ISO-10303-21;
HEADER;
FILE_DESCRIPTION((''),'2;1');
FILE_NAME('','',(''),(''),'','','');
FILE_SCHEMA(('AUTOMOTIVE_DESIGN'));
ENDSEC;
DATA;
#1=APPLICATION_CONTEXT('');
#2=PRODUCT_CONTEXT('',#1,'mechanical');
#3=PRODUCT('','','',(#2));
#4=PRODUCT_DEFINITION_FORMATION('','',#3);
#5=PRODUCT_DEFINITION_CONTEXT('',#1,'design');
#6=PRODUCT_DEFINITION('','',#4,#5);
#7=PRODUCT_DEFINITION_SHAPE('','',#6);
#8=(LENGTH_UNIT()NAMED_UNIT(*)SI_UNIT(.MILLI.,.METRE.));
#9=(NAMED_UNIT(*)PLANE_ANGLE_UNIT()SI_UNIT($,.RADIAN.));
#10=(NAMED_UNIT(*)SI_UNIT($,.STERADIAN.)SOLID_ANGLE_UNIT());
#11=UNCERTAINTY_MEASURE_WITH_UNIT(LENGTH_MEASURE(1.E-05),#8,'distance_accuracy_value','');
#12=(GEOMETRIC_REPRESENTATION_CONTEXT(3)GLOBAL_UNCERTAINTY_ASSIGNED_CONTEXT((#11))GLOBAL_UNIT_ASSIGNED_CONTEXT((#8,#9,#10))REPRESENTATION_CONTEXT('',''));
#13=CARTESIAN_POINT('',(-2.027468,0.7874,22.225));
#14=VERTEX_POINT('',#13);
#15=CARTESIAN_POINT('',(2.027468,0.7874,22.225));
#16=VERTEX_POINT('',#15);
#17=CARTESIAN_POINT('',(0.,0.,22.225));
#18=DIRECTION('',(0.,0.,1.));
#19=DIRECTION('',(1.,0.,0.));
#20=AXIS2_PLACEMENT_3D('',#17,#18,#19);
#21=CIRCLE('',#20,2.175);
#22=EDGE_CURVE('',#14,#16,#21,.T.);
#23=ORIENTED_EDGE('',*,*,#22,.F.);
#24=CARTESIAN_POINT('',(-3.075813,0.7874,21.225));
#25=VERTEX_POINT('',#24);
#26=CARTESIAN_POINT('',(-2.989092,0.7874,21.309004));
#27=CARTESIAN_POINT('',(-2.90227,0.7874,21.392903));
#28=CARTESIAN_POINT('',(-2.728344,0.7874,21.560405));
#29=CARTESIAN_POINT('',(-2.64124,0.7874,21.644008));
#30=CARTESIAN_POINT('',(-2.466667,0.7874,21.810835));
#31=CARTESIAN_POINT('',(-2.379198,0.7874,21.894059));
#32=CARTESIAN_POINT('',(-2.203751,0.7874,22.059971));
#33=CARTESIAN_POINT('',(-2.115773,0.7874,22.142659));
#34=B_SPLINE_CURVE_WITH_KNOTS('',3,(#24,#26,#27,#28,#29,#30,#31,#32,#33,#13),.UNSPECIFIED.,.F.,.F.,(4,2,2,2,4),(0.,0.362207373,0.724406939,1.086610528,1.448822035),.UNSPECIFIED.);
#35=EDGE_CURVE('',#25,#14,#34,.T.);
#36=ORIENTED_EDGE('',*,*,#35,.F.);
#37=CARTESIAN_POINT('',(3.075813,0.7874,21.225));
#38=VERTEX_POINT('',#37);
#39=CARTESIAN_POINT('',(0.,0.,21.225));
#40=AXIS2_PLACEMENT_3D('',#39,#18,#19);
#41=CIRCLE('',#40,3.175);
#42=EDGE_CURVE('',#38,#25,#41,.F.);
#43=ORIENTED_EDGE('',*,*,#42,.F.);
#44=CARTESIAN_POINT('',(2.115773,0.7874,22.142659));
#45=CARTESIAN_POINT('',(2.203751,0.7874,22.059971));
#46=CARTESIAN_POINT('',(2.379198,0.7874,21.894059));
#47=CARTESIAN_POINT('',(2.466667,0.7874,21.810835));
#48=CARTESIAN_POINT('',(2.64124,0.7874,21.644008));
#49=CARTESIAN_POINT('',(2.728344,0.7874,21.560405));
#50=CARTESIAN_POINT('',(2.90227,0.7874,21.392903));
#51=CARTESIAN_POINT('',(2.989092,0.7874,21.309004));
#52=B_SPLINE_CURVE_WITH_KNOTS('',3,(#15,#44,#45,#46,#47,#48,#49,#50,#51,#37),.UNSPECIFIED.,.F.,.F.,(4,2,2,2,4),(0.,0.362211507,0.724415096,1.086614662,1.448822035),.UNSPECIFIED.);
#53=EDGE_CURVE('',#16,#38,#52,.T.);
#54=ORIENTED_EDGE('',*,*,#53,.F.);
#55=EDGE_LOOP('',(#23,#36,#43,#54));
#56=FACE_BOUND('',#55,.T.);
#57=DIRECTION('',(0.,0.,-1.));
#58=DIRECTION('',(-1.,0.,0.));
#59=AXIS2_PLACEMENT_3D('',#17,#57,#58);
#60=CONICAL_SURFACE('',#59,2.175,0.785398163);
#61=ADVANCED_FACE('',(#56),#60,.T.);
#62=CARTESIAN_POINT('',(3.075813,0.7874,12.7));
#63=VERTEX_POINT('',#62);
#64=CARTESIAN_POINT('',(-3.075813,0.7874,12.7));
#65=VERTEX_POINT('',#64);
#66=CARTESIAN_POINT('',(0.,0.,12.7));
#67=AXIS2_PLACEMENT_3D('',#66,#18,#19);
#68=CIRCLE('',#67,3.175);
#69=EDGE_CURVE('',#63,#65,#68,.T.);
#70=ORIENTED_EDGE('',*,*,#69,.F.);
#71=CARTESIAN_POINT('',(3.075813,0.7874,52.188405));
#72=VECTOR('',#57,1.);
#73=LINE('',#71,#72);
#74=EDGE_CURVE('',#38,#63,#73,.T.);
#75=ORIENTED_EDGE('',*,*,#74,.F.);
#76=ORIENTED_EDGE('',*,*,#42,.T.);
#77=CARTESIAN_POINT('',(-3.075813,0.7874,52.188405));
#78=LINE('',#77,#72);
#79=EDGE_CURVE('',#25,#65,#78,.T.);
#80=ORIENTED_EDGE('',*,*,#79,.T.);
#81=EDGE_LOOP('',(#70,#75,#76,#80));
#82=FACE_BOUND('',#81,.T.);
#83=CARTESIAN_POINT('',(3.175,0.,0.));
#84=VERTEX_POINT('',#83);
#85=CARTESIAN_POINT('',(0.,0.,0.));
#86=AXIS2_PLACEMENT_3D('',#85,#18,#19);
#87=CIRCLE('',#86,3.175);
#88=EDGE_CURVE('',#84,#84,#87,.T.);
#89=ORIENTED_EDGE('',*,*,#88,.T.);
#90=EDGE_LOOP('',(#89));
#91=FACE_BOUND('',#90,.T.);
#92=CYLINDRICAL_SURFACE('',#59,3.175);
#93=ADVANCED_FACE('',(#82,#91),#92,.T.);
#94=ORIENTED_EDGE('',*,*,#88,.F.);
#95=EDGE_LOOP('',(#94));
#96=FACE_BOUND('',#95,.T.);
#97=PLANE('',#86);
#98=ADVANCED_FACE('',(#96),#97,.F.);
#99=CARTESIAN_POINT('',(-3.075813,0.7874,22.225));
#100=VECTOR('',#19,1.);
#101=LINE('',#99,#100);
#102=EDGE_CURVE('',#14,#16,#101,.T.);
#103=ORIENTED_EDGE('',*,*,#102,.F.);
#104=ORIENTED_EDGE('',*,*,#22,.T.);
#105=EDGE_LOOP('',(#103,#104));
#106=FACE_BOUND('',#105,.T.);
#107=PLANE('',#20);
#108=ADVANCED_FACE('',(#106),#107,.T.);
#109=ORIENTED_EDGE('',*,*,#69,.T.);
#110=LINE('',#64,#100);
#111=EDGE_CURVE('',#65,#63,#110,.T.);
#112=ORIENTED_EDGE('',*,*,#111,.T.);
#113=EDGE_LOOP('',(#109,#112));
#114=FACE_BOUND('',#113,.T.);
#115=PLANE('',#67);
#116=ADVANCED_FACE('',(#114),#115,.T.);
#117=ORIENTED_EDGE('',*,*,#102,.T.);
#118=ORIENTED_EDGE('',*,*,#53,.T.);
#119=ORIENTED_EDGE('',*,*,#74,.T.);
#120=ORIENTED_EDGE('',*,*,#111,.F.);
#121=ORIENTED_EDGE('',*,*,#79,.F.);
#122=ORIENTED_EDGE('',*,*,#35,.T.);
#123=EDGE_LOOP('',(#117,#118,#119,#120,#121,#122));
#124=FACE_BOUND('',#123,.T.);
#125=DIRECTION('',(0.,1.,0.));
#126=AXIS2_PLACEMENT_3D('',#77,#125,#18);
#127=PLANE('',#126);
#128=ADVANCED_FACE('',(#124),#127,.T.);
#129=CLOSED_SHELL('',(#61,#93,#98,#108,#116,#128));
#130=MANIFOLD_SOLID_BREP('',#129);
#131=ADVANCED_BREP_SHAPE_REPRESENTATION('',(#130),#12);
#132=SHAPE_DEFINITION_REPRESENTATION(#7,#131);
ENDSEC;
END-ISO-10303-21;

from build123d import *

# Parameters (mm, degrees)
SKETCH1_R               = 3.175
BOSS_EXTRUDE1_DEPTH     = 22.225
CUT_EXTRUDE1_DEPTH      = 1
CUT_EXTRUDE1_DEPTH_BACK = 9.525
CHAMFER1_SIZE           = 1


with BuildPart() as part:
    # Sketch1 → Boss-Extrude1 (new body)
    with BuildSketch(Plane.XY):
        Circle(SKETCH1_R)
    extrude(amount=BOSS_EXTRUDE1_DEPTH)

    # Sketch3 → Cut-Extrude1 (cut, two sides)
    with BuildSketch(Plane.XY.offset(22.225)) as cut_extrude1_sk:
        Polygon((-27.877607345, 0.7874), (-3.075813102, 0.7874), (3.075813102, 0.7874), (27.877607345, 0.7874), (27.877607345, 50.390988485), (-27.877607345, 50.390988485), align=None)
    extrude(amount=CUT_EXTRUDE1_DEPTH, mode=Mode.SUBTRACT)
    extrude(cut_extrude1_sk.sketch, amount=-CUT_EXTRUDE1_DEPTH_BACK, mode=Mode.SUBTRACT)

    # Chamfer1
    chamfer1_edges = [part.edges().sort_by_distance(p)[0] for p in [
        (-0.39681129, -3.150105681, 22.225),
    ]]
    chamfer(chamfer1_edges, length=CHAMFER1_SIZE)


solid = part.part
